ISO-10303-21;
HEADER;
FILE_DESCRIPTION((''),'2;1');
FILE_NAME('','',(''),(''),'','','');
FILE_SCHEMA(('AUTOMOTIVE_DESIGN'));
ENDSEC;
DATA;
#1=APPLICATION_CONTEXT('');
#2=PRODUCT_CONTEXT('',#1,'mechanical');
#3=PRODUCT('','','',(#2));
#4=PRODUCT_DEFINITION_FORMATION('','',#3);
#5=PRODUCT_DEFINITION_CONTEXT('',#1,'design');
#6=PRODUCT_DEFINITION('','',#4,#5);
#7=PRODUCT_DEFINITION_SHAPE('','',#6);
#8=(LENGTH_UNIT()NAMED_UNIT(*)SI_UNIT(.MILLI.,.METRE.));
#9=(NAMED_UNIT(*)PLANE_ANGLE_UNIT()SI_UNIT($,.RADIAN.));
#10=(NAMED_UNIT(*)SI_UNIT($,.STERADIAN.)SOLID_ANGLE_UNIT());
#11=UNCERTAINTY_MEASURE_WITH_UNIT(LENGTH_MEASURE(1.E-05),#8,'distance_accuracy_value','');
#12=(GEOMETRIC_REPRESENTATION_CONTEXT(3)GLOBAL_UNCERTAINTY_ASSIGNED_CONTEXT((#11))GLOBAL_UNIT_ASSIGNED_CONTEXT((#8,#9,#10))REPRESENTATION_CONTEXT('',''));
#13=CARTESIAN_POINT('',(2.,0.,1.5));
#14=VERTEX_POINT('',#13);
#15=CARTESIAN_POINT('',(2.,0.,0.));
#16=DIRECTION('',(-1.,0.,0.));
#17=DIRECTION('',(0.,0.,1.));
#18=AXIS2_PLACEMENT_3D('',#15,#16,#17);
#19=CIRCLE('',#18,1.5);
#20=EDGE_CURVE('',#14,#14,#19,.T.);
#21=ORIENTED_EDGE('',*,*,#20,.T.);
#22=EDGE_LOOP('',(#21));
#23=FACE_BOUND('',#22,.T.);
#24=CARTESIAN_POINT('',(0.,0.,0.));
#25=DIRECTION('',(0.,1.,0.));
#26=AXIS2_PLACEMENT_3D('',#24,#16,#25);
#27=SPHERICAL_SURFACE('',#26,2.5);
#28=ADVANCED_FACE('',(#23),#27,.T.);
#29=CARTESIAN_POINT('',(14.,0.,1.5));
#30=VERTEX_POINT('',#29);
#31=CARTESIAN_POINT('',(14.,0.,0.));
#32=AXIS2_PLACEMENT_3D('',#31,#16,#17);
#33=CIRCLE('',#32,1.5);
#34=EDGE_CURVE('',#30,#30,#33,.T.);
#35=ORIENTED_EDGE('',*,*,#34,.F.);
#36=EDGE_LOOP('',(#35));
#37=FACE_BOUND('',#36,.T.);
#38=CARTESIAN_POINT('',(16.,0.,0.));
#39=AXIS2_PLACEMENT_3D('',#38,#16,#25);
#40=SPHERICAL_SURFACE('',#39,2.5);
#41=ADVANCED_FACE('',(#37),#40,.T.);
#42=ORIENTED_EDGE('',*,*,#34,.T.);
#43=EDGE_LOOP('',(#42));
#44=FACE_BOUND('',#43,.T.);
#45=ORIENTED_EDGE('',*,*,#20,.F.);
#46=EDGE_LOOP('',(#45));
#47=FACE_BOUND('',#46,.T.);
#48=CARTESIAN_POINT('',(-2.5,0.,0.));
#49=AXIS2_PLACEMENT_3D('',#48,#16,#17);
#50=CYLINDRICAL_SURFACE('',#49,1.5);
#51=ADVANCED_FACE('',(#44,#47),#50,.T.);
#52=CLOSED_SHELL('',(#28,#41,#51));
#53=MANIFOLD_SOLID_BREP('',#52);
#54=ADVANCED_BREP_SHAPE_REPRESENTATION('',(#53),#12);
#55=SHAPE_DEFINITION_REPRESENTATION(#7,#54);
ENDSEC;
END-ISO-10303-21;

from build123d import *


with BuildPart() as part:
    # Sketch1 → Revolve1 (revolve)
    with BuildSketch(Plane.XY):
        with BuildLine():
            Line((-2.5, 0), (18.5, 0))
            ThreePointArc((18.5, 0), (16.790569415, 2.371708245), (14, 1.5))
            Line((14, 1.5), (2, 1.5))
            ThreePointArc((2, 1.5), (-0.790569415, 2.371708245), (-2.5, 0))
        make_face()
    revolve(axis=Axis((-2.5, 0, 0), (1, 0, 0)))


solid = part.part
